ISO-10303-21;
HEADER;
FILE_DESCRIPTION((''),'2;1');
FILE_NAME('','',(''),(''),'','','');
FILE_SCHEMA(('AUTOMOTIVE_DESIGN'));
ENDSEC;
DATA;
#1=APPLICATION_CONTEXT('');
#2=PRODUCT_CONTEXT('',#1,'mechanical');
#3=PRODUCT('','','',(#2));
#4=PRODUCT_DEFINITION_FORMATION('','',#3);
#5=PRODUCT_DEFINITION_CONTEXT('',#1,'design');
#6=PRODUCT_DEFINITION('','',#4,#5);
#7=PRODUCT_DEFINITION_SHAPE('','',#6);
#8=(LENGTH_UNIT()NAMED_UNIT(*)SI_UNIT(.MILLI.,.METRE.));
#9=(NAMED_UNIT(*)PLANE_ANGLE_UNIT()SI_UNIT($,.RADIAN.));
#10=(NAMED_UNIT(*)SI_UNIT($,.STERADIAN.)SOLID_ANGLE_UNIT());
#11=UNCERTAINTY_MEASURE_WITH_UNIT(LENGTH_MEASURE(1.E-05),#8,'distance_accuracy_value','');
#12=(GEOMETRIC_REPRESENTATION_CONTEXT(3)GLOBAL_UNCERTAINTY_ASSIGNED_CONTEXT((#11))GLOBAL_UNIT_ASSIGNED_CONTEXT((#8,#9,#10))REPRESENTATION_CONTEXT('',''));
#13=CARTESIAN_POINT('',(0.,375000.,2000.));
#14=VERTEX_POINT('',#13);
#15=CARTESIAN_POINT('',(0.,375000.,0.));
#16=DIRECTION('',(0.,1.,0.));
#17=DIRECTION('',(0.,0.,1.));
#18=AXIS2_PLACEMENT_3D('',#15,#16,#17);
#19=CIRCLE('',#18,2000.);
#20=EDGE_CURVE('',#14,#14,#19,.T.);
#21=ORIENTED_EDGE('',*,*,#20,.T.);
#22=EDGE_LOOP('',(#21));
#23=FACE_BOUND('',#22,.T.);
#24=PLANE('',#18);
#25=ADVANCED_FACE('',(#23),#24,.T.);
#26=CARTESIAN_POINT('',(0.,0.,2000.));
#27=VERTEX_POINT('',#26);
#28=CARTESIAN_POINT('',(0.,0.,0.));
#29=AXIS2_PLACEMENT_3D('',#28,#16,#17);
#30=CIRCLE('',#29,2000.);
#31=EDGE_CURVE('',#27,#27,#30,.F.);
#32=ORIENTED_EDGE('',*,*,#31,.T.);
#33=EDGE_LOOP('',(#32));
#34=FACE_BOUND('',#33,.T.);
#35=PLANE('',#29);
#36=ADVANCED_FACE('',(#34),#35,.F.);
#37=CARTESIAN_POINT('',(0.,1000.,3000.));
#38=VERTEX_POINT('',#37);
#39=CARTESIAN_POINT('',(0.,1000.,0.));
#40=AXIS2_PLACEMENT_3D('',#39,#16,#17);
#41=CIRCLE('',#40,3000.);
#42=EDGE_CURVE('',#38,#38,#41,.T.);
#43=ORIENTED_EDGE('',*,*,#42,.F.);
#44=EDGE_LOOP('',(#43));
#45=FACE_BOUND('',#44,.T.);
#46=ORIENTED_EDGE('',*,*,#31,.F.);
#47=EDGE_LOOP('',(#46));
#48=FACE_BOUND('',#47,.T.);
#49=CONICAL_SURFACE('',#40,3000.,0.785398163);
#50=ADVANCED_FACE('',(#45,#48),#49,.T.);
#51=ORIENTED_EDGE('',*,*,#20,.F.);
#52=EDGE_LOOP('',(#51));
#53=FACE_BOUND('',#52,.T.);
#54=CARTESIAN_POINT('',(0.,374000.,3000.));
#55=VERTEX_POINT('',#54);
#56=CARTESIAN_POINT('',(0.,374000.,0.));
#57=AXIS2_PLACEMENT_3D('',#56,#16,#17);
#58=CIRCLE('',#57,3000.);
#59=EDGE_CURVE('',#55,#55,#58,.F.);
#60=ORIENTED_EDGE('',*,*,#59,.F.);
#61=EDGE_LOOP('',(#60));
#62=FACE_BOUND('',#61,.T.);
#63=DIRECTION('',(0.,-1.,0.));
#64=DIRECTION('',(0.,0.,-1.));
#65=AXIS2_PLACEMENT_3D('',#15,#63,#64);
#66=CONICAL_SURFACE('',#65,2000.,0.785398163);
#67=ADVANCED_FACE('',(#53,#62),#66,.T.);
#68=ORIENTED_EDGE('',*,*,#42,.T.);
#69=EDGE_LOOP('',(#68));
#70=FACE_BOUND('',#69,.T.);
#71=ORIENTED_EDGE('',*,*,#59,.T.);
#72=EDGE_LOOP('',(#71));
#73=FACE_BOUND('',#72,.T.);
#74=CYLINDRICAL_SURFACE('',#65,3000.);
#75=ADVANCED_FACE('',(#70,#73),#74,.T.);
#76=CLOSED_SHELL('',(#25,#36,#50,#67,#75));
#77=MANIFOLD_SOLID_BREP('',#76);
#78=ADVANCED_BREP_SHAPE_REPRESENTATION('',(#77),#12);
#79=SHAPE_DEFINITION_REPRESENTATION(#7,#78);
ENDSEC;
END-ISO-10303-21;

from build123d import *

# Parameters (mm, degrees)
SKETCH_1_R      = 3000
EXTRUDE_1_DEPTH = 375000
CHAMFER_1_SIZE  = 1000


with BuildPart() as part:
    # 草圖1 → 填料-伸長1 (new body)
    with BuildSketch(Plane(origin=(0, 0, 0), x_dir=(1, 0, 0), z_dir=(0, 1, 0))):
        with Locations(Location((0, 0, 0), (0, 0, 270))):
            Circle(SKETCH_1_R)
    extrude(amount=EXTRUDE_1_DEPTH)

    # 導角1
    chamfer_1_edges = [part.edges().sort_by_distance(p)[0] for p in [
        (0, 0, -3000),
        (0, 375000, -3000),
    ]]
    chamfer(chamfer_1_edges, length=CHAMFER_1_SIZE)


solid = part.part
